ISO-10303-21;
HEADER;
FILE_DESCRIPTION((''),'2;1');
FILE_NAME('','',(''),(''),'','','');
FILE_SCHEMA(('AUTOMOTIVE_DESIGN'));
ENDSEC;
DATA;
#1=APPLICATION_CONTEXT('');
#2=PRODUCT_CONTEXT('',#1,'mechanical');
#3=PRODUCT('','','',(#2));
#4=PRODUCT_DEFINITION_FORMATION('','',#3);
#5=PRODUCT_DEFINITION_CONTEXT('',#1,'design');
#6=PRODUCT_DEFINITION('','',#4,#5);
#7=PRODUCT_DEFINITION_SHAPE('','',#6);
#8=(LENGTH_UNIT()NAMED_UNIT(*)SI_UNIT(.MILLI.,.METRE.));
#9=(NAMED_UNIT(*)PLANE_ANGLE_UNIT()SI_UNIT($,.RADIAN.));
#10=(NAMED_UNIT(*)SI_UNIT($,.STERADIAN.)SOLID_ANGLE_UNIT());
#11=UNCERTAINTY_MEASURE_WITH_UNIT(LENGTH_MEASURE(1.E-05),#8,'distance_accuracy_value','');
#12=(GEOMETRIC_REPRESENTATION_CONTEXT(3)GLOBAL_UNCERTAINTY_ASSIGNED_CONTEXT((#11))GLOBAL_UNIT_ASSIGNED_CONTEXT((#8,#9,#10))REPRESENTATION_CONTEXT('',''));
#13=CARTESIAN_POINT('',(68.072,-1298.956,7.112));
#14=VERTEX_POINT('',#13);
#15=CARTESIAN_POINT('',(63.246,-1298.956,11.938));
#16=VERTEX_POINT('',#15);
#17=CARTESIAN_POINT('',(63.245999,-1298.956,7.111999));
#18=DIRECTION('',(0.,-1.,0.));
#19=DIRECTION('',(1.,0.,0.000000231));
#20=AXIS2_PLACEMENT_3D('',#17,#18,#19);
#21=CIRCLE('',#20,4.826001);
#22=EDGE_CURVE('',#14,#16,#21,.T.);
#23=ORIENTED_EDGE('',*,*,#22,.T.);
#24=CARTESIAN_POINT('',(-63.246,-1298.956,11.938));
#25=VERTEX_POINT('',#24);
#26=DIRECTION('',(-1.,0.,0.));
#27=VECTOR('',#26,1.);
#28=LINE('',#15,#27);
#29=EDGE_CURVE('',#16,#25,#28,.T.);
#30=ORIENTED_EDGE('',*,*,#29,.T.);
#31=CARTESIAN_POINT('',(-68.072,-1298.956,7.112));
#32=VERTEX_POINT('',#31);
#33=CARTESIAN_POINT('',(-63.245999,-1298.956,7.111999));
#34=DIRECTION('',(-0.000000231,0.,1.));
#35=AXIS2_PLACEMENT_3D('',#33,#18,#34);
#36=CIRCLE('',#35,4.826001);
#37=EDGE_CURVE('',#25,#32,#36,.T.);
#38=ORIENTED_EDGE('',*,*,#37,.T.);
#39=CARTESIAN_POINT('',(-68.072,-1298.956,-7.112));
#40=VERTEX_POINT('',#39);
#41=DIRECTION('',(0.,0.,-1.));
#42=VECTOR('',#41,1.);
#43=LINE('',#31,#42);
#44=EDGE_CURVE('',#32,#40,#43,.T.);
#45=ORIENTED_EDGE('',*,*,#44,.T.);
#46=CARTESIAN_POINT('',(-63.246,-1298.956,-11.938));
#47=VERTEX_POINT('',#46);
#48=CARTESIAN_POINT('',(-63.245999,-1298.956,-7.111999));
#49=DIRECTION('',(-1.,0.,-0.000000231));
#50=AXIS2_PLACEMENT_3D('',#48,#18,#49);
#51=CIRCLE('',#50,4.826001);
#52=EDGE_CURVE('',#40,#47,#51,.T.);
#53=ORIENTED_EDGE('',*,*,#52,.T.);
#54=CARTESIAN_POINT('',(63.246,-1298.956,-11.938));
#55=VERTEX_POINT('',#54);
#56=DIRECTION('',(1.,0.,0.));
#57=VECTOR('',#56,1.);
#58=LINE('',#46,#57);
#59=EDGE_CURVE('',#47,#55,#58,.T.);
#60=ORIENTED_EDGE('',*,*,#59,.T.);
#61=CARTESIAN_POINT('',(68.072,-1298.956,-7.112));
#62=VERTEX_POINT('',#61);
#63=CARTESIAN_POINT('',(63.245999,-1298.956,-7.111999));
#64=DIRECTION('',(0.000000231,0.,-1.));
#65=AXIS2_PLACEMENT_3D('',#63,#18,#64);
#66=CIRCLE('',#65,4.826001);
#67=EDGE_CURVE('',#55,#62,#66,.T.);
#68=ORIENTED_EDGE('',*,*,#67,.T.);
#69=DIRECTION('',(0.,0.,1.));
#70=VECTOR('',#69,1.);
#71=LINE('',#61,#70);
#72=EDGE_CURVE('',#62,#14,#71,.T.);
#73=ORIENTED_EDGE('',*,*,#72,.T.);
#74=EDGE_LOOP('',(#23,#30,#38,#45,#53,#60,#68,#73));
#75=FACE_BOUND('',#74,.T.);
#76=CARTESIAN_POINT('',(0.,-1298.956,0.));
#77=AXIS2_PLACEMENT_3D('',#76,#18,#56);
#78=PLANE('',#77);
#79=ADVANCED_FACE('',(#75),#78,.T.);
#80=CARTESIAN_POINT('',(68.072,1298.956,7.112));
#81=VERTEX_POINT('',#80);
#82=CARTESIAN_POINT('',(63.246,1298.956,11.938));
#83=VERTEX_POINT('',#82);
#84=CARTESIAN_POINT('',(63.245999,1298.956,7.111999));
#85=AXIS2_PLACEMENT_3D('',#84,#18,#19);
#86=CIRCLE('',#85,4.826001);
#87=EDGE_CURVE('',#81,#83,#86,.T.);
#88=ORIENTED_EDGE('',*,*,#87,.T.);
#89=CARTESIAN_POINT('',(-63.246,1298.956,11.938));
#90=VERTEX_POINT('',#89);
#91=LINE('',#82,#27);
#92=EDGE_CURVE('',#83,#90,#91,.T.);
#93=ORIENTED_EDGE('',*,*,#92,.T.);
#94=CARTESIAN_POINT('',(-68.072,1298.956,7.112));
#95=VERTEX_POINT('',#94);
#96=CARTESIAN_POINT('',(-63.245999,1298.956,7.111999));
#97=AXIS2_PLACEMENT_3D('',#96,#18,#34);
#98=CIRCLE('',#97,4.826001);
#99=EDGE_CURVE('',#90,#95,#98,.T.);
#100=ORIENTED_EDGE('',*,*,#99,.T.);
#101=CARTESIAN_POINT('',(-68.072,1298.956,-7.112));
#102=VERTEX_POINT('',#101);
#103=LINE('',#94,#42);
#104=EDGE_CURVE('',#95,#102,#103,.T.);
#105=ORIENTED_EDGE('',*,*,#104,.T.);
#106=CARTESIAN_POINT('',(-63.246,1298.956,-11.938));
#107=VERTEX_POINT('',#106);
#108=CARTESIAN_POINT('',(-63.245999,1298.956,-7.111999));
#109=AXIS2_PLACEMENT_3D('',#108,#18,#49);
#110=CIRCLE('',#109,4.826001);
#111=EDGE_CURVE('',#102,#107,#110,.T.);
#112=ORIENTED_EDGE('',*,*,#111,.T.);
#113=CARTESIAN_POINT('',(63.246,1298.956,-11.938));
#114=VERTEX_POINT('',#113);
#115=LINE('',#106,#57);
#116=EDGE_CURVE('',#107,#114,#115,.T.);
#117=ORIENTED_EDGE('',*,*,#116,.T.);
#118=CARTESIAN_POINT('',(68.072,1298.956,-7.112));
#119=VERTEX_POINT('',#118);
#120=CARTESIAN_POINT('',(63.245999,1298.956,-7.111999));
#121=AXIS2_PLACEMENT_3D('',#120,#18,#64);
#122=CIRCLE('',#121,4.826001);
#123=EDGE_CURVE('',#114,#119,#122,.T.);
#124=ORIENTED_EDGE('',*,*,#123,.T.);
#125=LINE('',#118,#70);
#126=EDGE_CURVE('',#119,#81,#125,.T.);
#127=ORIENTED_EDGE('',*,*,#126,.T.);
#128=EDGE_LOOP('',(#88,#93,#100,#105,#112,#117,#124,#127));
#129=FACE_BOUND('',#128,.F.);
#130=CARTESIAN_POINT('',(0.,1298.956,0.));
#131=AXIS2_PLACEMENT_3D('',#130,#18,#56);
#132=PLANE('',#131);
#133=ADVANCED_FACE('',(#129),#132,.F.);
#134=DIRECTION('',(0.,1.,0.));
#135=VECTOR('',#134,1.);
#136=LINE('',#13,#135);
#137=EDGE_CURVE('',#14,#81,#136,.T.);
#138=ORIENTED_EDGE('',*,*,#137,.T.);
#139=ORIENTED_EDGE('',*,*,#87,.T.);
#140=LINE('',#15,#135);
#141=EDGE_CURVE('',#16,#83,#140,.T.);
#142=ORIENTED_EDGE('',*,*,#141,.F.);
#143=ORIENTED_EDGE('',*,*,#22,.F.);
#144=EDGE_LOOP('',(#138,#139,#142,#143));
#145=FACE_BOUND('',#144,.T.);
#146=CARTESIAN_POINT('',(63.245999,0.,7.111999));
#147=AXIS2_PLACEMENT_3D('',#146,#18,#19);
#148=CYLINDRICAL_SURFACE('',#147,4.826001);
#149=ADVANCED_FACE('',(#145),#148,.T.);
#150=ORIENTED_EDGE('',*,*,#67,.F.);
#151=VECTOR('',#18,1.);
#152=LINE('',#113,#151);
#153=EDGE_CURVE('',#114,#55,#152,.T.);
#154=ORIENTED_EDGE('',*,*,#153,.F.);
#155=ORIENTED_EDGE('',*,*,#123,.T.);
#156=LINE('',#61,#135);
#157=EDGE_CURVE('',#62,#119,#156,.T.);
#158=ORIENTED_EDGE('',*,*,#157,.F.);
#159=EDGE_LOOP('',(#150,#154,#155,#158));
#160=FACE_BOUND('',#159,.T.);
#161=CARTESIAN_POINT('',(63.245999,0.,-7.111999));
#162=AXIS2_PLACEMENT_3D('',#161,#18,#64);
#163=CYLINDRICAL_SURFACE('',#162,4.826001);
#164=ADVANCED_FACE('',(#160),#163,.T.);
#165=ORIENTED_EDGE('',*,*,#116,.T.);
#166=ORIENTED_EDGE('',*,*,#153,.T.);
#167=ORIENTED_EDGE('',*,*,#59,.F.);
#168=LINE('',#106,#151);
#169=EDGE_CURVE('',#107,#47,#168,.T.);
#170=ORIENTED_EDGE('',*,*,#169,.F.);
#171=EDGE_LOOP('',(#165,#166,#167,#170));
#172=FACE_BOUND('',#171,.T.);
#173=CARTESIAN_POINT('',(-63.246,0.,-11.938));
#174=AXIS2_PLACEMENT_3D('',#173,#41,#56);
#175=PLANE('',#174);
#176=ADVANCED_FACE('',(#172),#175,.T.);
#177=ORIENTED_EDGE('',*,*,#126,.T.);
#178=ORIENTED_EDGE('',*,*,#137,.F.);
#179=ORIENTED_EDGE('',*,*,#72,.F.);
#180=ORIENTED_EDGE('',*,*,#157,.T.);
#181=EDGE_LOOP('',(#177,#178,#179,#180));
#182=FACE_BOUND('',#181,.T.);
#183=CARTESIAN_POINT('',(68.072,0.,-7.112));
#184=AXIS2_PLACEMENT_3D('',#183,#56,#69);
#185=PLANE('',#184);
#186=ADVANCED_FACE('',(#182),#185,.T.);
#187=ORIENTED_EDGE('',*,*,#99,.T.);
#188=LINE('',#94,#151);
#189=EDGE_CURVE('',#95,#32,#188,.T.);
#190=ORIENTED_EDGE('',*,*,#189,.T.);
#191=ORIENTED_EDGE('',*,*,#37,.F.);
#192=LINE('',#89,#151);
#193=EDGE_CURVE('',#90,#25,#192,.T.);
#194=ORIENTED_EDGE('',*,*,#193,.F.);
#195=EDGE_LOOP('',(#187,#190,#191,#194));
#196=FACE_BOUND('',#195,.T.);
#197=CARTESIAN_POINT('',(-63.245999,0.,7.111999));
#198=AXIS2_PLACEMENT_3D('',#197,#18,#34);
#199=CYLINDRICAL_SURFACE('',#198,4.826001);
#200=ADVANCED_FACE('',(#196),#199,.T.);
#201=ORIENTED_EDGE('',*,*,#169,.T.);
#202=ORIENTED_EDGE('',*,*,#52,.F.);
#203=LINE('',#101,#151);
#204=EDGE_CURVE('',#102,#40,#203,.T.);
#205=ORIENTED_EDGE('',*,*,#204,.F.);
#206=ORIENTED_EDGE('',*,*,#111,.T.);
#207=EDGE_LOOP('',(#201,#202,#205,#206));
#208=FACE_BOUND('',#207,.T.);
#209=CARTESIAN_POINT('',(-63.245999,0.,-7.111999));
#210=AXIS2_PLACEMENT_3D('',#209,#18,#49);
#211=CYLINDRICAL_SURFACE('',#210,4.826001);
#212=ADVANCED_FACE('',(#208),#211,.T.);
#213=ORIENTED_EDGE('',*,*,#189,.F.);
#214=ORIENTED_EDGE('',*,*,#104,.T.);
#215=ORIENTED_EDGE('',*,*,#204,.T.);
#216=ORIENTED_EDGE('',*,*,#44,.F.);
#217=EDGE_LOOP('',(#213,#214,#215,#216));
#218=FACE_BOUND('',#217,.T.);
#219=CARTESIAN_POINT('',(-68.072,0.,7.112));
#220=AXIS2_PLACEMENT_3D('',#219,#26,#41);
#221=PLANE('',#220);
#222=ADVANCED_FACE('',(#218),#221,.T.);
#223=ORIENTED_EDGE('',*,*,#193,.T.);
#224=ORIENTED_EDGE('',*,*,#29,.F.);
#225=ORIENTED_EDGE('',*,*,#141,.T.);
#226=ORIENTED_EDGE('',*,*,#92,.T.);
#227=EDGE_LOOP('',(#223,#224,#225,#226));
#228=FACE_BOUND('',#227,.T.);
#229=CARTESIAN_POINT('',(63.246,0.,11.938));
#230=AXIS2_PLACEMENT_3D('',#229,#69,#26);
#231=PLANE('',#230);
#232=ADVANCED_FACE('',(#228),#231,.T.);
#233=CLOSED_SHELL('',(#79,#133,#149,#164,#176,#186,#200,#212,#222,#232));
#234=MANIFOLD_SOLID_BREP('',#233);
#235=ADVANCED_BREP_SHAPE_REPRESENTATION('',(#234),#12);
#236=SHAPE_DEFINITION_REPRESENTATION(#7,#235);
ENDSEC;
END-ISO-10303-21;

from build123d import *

# Parameters (mm, degrees)
F1_DEPTH = 1298.956


with BuildPart() as f1:
    # F0 (on Front) → F1 (new body, symmetric)
    with BuildSketch(Plane.XZ):
        with BuildLine():
            Line((63.246, 11.938), (-63.246, 11.938))
            ThreePointArc((-63.246, 11.938), (-66.658497, 10.524497), (-68.072, 7.112))
            Line((-68.072, 7.112), (-68.072, -7.112))
            ThreePointArc((-68.072, -7.112), (-66.658497, -10.524497), (-63.246, -11.938))
            Line((-63.246, -11.938), (63.246, -11.938))
            ThreePointArc((63.246, -11.938), (66.658497, -10.524497), (68.072, -7.112))
            Line((68.072, -7.112), (68.072, 7.112))
            ThreePointArc((68.072, 7.112), (66.658497, 10.524497), (63.246, 11.938))
        make_face()
    extrude(amount=F1_DEPTH, both=True)


solid = f1.part
